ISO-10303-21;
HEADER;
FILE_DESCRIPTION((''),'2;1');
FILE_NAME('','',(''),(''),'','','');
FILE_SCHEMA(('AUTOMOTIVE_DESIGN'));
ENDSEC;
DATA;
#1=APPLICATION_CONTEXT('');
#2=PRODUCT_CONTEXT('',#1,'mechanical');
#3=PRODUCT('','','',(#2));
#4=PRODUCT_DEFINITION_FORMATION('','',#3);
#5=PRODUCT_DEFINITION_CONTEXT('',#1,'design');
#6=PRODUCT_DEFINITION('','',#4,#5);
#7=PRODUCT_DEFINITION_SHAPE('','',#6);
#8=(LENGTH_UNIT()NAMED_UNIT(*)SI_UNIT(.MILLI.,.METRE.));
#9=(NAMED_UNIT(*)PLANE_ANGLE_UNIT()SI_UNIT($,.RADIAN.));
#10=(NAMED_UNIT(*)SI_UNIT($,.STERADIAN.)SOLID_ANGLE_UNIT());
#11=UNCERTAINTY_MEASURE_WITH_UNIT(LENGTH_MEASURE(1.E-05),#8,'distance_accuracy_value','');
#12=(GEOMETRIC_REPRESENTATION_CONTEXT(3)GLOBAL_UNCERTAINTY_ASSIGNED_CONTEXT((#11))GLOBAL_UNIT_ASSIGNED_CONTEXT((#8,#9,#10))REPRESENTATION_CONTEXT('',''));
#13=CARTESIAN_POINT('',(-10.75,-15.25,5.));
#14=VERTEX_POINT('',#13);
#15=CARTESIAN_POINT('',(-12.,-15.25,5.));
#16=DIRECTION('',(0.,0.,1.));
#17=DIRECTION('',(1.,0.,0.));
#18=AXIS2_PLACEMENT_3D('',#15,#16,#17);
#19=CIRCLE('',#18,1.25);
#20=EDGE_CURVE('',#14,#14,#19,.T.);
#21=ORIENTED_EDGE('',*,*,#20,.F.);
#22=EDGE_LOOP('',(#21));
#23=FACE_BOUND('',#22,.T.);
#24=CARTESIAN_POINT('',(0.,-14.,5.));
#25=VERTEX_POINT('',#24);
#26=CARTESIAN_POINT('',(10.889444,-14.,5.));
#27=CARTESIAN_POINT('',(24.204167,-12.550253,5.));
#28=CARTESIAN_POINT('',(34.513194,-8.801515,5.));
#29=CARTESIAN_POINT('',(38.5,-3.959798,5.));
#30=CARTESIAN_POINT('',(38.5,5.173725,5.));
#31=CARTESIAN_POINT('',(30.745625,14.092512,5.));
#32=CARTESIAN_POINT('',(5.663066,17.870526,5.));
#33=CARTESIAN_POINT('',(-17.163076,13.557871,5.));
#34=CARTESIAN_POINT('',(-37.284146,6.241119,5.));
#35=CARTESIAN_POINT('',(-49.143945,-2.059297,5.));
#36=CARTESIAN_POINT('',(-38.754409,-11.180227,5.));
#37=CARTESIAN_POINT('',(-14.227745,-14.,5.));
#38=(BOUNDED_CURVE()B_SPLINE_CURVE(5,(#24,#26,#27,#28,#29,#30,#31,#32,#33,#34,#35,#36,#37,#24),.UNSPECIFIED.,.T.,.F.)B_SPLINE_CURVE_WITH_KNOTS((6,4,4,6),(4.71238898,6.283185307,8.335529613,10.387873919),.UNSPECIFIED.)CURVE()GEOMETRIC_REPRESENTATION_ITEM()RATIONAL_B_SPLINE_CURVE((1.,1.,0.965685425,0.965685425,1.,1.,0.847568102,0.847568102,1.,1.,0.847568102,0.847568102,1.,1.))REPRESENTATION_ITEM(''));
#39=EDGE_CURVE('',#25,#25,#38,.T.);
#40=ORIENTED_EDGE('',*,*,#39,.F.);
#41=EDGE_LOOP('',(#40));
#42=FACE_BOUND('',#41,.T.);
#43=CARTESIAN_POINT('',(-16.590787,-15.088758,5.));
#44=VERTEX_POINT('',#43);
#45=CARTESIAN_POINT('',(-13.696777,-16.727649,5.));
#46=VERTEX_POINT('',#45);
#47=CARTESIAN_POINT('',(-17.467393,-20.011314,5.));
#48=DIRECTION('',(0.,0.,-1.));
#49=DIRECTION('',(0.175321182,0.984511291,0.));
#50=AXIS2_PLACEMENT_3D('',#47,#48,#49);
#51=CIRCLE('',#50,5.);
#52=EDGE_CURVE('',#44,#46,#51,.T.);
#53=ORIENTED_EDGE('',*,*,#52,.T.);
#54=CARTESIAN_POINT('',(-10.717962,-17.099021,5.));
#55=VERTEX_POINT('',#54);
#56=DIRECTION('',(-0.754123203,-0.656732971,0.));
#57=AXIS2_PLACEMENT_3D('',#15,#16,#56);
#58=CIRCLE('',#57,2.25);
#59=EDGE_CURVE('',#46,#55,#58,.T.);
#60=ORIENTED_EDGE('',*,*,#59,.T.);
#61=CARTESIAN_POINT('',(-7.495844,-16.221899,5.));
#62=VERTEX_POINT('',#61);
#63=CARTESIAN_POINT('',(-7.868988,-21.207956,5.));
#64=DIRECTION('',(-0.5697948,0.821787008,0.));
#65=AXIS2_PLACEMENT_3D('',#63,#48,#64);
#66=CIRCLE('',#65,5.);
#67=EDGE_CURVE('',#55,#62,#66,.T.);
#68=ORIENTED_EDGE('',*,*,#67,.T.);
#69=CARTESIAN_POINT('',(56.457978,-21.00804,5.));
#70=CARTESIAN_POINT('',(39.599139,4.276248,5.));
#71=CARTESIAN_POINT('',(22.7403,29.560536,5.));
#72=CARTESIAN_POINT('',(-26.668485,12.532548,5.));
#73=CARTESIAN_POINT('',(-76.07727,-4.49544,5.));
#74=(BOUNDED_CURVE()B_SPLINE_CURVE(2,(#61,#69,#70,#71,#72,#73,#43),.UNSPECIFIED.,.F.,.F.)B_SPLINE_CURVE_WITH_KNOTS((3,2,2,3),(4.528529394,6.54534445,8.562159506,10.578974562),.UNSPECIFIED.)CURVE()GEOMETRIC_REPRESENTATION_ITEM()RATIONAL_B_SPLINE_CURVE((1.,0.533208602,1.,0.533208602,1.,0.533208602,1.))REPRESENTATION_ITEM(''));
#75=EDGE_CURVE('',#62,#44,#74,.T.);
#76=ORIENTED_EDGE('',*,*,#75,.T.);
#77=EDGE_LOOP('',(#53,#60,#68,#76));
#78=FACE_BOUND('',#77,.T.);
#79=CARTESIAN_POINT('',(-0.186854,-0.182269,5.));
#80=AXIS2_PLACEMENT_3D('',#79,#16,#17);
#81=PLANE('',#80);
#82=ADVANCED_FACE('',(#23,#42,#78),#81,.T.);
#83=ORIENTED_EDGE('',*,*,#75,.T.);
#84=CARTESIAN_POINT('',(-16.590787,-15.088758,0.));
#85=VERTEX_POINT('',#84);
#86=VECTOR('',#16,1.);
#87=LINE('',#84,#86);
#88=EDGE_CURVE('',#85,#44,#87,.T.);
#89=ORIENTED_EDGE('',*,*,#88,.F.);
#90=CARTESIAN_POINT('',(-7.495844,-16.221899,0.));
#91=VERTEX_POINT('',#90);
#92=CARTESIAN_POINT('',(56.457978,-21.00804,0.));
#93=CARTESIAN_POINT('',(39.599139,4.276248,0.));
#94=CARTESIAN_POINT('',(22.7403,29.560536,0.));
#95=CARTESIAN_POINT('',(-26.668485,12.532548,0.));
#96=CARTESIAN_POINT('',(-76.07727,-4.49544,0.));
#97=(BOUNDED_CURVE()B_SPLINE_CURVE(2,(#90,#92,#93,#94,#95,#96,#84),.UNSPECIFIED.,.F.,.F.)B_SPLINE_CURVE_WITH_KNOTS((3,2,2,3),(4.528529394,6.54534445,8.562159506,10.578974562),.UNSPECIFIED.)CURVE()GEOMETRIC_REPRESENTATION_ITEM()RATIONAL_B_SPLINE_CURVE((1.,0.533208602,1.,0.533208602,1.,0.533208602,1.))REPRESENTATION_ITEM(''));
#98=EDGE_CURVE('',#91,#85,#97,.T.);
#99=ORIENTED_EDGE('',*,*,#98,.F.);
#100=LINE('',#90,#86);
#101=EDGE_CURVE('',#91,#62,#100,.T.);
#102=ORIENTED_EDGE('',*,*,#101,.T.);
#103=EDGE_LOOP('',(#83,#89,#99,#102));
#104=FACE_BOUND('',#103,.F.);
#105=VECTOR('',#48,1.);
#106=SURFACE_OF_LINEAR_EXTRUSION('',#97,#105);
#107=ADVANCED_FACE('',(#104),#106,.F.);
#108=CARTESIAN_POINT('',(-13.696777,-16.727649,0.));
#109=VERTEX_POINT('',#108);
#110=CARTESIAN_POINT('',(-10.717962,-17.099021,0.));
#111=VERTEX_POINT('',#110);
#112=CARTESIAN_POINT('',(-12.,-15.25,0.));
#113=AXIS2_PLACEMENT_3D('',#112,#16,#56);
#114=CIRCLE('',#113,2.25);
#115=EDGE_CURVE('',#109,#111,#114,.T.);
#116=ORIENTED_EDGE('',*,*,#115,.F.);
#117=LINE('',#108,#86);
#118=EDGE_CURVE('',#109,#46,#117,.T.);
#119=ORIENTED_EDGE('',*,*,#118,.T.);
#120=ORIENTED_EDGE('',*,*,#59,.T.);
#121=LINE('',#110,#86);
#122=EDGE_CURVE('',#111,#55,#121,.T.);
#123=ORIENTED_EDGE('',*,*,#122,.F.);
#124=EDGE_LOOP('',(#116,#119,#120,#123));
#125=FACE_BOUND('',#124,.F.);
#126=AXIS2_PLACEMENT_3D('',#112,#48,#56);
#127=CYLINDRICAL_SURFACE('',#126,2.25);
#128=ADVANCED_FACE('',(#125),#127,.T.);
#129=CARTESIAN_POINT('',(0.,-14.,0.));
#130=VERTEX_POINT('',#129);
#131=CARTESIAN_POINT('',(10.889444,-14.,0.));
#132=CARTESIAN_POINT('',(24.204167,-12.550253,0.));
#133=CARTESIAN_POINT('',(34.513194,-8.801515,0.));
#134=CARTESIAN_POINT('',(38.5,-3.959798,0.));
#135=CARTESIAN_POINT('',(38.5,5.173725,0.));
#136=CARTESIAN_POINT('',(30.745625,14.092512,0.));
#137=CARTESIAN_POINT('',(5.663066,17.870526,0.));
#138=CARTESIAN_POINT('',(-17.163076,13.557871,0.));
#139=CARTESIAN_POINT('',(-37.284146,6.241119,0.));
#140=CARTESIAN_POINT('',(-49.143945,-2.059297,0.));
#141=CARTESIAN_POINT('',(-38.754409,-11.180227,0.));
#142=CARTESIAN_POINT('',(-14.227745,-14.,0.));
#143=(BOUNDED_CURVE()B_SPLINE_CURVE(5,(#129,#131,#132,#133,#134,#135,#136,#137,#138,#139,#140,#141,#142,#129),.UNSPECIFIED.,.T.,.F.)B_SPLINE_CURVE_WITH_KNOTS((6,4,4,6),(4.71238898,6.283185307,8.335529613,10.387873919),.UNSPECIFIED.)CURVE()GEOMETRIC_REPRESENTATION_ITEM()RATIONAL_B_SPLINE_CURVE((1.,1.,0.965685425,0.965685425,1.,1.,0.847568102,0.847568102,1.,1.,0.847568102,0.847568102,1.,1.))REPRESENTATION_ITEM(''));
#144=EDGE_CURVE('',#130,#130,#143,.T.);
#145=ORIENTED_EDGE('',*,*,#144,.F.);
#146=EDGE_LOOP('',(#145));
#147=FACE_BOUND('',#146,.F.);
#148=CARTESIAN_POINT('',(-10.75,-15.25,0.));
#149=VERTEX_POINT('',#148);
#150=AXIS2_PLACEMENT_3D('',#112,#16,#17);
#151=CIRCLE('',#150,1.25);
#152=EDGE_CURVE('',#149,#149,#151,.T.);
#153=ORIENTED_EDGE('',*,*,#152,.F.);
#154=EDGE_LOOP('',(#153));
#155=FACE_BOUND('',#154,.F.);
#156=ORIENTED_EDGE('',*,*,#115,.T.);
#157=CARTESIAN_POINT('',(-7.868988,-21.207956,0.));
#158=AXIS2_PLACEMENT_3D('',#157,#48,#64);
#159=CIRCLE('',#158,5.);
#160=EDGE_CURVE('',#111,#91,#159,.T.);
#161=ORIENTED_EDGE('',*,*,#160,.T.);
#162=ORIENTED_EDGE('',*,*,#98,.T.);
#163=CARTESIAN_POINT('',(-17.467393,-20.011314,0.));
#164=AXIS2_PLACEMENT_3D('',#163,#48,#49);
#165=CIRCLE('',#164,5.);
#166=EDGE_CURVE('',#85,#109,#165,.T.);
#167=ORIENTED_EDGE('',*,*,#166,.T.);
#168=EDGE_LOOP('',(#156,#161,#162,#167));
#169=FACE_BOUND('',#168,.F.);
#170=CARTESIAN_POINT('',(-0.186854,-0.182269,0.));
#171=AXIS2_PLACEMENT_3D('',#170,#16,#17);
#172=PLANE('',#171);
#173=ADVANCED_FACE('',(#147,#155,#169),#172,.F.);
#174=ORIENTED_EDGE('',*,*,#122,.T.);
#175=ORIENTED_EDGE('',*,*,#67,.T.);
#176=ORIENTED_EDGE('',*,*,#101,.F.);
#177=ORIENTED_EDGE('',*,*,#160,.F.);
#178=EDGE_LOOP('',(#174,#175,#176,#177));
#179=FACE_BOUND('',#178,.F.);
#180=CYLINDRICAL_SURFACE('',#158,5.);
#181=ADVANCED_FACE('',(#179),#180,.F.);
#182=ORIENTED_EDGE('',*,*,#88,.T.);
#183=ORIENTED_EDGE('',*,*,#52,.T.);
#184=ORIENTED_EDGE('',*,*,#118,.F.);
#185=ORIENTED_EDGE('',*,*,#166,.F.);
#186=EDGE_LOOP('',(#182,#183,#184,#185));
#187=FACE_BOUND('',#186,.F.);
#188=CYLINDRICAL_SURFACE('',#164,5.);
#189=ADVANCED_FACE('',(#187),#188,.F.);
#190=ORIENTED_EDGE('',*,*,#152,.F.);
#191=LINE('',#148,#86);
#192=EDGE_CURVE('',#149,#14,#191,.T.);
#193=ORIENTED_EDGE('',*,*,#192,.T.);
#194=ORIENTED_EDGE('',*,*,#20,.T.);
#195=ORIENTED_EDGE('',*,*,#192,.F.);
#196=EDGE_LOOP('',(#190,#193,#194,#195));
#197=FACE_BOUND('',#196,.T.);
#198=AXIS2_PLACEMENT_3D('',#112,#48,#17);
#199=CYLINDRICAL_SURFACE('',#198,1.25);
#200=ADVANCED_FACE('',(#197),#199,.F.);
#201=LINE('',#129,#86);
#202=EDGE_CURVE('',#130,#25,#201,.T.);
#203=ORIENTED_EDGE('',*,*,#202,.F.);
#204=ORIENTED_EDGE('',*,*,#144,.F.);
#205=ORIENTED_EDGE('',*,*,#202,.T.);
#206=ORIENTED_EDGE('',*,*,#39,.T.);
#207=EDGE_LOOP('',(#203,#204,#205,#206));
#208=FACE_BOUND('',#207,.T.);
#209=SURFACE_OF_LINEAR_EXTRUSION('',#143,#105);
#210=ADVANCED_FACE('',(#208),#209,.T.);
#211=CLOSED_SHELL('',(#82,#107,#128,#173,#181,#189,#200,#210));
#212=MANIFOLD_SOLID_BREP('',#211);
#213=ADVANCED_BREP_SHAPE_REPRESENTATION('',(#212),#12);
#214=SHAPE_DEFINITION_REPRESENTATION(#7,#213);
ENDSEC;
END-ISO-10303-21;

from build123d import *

# Parameters (mm, degrees)
F0_R     = 1.25
F1_DEPTH = 5


with BuildPart() as f1:
    # F0 (on Top) → F1 (new body)
    with BuildSketch(Plane.XY):
        with BuildLine():
            ThreePointArc((-10.7179617, -17.0990207672), (-9.1822924915, -16.3835148506), (-7.4958438822, -16.2218988771))
            add(Edge.make_bspline(
                [(-7.4958438822, -16.2218988771), (56.4579776302, -21.0080402047), (39.5991387481, 4.2762476591), (22.7402998659, 29.5605355228), (-26.6684851438, 12.5325476275), (-76.0772701535, -4.4954402678), (-16.5907873071, -15.0887575827)],
                knots=[4.5285293937, 4.5285293937, 4.5285293937, 6.5453444498, 6.5453444498, 8.5621595058, 8.5621595058, 10.5789745619, 10.5789745619, 10.5789745619], degree=2, weights=[1, 0.5332086024, 1, 0.5332086024, 1, 0.5332086024, 1]))
            ThreePointArc((-16.5907873071, -15.0887575827), (-15.0035224176, -15.6605278267), (-13.6967772059, -16.7276491848))
            ThreePointArc((-13.6967772059, -16.7276491848), (-12.2783546354, -17.4827155432), (-10.7179617, -17.0990207672))
        make_face()
        with Locations((-12, -15.25)):
            Circle(F0_R, mode=Mode.SUBTRACT)
        with BuildLine():
            add(Edge.make_bspline(
                [(38.5, 0), (38.5, 33.7989898732), (-27.2236110757, 9.8994949366), (-92.9472221514, -14), (0, -14)],
                knots=[0, 0, 0, 2.3561944902, 2.3561944902, 4.7123889804, 4.7123889804, 4.7123889804], degree=2, weights=[1, 0.3826834324, 1, 0.3826834324, 1]))
            add(Edge.make_bspline(
                [(0, -14), (38.5, -14), (38.5, 0)],
                knots=[4.7123889804, 4.7123889804, 4.7123889804, 6.2831853072, 6.2831853072, 6.2831853072], degree=2, weights=[1, 0.7071067812, 1]))
        make_face(mode=Mode.SUBTRACT)
    extrude(amount=F1_DEPTH)


solid = f1.part
